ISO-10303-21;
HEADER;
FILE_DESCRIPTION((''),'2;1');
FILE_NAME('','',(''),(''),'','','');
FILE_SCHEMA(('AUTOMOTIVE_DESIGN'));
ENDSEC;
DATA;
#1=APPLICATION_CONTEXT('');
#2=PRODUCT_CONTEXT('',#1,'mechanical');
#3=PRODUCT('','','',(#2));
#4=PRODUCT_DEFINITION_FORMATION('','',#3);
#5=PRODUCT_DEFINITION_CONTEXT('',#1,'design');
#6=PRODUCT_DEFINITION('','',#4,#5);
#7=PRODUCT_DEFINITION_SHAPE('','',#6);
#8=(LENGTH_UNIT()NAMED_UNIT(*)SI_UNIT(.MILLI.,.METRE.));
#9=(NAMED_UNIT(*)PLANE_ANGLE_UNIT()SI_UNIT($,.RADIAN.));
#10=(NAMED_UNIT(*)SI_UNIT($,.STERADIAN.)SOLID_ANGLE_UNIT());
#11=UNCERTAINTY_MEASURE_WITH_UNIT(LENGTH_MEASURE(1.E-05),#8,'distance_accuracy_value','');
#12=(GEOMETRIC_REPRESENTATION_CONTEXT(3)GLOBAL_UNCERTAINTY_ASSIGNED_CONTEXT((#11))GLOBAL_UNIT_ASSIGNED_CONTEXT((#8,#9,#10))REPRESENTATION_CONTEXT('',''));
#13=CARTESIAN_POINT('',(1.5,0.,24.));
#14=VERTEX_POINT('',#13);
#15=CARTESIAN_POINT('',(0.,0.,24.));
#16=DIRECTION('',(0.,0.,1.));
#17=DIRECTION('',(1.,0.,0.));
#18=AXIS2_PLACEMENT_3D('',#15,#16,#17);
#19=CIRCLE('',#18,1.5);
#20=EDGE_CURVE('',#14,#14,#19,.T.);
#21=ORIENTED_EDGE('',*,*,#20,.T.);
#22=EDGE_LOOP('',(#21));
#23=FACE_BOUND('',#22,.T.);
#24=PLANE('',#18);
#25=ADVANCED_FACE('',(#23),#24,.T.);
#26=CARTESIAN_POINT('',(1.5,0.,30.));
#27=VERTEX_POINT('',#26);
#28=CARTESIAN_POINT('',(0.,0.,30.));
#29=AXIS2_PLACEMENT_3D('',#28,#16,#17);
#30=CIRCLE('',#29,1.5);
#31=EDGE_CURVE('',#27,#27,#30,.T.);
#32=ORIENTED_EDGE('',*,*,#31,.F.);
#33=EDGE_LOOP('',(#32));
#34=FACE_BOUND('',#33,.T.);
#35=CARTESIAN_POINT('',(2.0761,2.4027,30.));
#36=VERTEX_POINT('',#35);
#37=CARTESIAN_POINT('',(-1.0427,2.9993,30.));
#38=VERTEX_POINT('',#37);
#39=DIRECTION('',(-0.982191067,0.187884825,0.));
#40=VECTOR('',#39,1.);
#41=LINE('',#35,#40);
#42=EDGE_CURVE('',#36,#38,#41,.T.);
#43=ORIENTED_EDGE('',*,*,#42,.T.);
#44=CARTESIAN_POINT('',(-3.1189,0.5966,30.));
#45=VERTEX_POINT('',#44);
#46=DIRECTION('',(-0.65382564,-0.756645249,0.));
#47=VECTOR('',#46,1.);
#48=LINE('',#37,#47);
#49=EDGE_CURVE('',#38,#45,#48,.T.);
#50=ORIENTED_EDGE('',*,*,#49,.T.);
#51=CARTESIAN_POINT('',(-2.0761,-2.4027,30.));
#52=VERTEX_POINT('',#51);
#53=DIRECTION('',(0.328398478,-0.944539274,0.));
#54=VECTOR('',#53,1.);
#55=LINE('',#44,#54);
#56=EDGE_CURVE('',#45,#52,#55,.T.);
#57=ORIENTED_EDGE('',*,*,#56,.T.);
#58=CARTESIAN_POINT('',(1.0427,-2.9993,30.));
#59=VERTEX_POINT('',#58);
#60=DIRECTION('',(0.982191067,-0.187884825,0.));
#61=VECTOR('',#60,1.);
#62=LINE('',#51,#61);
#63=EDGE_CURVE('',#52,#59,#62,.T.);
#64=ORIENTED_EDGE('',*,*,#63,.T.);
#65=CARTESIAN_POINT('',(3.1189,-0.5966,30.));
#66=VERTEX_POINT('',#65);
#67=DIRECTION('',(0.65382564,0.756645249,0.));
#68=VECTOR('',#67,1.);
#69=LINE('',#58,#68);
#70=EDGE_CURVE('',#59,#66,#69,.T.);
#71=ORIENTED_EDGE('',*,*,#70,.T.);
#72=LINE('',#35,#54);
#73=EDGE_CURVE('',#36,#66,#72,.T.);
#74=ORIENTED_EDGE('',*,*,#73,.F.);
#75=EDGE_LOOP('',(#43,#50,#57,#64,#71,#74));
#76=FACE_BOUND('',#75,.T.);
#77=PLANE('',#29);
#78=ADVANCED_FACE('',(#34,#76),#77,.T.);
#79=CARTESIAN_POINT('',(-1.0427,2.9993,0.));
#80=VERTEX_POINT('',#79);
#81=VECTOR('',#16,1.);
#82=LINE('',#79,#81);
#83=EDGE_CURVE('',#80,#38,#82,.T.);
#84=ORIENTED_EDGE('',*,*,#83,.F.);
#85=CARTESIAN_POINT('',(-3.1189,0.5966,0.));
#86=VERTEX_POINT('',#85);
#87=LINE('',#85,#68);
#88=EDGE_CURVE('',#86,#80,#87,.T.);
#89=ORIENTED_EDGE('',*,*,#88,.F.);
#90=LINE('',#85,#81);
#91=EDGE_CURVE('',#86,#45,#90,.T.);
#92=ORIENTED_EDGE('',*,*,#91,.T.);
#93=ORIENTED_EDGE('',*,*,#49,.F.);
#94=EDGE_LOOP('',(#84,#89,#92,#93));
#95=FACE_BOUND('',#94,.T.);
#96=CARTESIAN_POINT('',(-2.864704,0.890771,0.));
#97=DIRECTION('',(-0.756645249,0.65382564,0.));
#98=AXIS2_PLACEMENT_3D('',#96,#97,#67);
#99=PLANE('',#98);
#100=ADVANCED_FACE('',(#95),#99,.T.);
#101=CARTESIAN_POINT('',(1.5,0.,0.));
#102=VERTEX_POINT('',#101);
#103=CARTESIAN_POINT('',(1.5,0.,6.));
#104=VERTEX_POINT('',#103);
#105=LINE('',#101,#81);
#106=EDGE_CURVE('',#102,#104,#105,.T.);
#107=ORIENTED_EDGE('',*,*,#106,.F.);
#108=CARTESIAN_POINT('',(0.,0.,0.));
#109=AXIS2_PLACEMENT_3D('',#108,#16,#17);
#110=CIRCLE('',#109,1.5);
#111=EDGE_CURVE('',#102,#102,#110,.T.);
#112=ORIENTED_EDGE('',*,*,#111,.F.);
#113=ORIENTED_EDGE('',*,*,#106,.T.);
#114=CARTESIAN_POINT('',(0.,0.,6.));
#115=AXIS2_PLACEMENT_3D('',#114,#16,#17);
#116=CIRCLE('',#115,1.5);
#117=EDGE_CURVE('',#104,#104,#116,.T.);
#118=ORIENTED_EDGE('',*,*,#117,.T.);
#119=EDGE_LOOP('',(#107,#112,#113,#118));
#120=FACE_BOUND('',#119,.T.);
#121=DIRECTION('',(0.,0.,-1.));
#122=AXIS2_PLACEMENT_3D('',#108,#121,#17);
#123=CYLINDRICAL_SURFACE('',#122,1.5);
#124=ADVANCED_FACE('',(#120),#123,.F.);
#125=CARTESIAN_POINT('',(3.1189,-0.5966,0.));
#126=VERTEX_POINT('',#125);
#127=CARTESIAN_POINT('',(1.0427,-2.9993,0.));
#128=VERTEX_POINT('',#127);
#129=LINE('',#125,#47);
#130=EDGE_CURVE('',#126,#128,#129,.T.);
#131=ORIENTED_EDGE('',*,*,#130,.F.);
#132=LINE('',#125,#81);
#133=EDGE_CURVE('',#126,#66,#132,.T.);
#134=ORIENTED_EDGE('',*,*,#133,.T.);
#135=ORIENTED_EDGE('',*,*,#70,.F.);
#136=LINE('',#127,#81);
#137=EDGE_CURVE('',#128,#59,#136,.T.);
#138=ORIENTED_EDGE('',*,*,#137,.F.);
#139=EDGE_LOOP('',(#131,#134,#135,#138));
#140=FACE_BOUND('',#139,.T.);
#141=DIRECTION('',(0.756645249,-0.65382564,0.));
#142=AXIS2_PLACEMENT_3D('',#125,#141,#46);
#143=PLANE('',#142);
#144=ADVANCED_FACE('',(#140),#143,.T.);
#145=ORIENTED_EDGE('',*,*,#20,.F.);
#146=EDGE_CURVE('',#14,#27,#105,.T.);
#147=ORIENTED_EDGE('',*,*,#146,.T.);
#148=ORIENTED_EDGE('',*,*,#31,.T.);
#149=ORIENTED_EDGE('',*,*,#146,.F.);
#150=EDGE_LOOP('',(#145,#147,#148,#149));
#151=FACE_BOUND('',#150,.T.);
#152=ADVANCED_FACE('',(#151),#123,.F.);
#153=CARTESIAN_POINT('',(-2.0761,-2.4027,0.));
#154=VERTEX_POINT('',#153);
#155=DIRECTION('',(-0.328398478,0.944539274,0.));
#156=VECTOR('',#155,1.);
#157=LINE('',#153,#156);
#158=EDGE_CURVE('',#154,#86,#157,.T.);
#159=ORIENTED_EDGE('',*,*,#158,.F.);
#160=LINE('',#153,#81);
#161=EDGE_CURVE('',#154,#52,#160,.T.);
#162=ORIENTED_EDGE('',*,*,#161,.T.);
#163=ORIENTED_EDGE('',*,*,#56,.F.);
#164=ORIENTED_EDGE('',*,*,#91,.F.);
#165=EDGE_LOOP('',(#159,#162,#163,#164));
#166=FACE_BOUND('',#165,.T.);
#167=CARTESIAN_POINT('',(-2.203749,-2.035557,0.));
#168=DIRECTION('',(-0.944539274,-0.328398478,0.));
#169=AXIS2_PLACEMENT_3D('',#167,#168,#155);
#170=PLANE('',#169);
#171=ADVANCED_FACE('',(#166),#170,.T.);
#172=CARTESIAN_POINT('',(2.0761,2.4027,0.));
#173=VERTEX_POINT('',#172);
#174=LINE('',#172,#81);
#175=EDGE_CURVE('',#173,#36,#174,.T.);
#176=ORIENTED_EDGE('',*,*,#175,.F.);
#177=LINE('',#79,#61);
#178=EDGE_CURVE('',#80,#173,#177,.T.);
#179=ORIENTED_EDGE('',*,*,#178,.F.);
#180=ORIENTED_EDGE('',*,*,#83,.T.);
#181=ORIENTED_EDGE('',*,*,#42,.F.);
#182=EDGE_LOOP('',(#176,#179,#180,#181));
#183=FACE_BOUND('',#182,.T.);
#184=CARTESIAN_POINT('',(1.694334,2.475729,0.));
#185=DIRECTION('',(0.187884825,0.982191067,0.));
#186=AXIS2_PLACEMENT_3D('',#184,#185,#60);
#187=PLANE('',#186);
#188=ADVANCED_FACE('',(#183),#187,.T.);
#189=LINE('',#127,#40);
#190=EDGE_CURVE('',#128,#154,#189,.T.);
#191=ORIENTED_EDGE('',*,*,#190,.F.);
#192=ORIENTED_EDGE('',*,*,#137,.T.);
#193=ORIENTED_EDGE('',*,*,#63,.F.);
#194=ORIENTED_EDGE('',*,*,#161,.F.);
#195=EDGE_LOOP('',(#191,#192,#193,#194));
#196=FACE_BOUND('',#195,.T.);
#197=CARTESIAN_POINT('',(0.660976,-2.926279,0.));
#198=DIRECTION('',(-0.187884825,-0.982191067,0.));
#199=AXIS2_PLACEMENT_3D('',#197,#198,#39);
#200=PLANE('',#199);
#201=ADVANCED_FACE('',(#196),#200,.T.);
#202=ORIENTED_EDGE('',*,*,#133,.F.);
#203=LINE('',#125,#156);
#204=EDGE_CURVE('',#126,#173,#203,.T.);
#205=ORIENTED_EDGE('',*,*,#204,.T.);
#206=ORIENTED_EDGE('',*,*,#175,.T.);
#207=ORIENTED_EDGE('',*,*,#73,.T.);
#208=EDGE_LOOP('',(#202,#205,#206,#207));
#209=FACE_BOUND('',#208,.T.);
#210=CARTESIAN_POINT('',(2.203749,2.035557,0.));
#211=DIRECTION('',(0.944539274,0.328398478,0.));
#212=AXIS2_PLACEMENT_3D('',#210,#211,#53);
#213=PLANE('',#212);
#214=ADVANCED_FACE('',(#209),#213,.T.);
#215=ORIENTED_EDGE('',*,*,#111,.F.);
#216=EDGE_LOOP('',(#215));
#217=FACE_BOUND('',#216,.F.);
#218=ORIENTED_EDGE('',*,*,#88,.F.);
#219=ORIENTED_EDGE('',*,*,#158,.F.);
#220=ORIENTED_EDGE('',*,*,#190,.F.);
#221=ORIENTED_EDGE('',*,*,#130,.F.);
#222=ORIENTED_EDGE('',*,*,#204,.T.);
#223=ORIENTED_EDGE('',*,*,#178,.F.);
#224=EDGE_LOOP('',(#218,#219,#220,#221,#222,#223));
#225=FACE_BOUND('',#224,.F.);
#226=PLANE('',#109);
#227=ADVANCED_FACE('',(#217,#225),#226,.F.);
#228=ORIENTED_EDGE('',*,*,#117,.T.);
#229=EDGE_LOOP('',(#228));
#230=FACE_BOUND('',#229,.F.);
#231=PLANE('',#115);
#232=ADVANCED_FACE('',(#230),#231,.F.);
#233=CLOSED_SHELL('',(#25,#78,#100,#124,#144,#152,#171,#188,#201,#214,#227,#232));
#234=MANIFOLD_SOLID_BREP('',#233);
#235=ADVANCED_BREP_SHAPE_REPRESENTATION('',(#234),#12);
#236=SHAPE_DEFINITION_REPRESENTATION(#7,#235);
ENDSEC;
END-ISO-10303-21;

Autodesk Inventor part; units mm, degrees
ref_plane "YZ Plane" through (0, 0, 0) normal (1, 0, 0) x (0, 1, 0)
ref_plane "XZ Plane" through (0, 0, 0) normal (0, 1, 0) x (-1, 0, 0)
ref_plane "XY Plane" through (0, 0, 0) normal (0, 0, 1) x (1, 0, 0)
sketch "スケッチ1" plane through (0, 0, 0) normal (0, 0, 1) x (1, 0, 0)
  circle A0 centre (0, 0) radius 3
  circle A1 centre (0, 0) radius 1.5
  line L0 (2.0761, 2.4027) -> (3.1189, -0.5966)
  line L1 (3.1189, -0.5966) -> (1.0427, -2.9993)
  line L2 (1.0427, -2.9993) -> (-2.0761, -2.4027)
  line L3 (-2.0761, -2.4027) -> (-3.1189, 0.5966)
  line L4 (-3.1189, 0.5966) -> (-1.0427, 2.9993)
  line L5 (-1.0427, 2.9993) -> (2.0761, 2.4027)
  dimension "d0" = 6
  dimension "d1" = 3
  dimension "d13" = 5.5
extrude "押し出し1" add sketch "スケッチ1" along normal blind 30 contours L0 A0 L1 L2 L3 L4 L5 | A0 L5 L0 | L0 L1 A0 | A0 L4 L5 | L1 L2 A0 | A0 L3 L4 | L2 L3 A0
thread "ねじ1" size "M3x0.5" class "6H" standard "ANSI Metric M Profile" length 100
extrude "押し出し2" add sketch "スケッチ1" along normal blind 24 contours A1
extrude "押し出し3" cut sketch "スケッチ1" along normal blind 6 contours A1
thread "ねじ2" size "M3x0.5" class "6H" standard "ANSI Metric M Profile" full length
properties part number "スペーサーM3L30樹脂" material "PBT プラスチック"
